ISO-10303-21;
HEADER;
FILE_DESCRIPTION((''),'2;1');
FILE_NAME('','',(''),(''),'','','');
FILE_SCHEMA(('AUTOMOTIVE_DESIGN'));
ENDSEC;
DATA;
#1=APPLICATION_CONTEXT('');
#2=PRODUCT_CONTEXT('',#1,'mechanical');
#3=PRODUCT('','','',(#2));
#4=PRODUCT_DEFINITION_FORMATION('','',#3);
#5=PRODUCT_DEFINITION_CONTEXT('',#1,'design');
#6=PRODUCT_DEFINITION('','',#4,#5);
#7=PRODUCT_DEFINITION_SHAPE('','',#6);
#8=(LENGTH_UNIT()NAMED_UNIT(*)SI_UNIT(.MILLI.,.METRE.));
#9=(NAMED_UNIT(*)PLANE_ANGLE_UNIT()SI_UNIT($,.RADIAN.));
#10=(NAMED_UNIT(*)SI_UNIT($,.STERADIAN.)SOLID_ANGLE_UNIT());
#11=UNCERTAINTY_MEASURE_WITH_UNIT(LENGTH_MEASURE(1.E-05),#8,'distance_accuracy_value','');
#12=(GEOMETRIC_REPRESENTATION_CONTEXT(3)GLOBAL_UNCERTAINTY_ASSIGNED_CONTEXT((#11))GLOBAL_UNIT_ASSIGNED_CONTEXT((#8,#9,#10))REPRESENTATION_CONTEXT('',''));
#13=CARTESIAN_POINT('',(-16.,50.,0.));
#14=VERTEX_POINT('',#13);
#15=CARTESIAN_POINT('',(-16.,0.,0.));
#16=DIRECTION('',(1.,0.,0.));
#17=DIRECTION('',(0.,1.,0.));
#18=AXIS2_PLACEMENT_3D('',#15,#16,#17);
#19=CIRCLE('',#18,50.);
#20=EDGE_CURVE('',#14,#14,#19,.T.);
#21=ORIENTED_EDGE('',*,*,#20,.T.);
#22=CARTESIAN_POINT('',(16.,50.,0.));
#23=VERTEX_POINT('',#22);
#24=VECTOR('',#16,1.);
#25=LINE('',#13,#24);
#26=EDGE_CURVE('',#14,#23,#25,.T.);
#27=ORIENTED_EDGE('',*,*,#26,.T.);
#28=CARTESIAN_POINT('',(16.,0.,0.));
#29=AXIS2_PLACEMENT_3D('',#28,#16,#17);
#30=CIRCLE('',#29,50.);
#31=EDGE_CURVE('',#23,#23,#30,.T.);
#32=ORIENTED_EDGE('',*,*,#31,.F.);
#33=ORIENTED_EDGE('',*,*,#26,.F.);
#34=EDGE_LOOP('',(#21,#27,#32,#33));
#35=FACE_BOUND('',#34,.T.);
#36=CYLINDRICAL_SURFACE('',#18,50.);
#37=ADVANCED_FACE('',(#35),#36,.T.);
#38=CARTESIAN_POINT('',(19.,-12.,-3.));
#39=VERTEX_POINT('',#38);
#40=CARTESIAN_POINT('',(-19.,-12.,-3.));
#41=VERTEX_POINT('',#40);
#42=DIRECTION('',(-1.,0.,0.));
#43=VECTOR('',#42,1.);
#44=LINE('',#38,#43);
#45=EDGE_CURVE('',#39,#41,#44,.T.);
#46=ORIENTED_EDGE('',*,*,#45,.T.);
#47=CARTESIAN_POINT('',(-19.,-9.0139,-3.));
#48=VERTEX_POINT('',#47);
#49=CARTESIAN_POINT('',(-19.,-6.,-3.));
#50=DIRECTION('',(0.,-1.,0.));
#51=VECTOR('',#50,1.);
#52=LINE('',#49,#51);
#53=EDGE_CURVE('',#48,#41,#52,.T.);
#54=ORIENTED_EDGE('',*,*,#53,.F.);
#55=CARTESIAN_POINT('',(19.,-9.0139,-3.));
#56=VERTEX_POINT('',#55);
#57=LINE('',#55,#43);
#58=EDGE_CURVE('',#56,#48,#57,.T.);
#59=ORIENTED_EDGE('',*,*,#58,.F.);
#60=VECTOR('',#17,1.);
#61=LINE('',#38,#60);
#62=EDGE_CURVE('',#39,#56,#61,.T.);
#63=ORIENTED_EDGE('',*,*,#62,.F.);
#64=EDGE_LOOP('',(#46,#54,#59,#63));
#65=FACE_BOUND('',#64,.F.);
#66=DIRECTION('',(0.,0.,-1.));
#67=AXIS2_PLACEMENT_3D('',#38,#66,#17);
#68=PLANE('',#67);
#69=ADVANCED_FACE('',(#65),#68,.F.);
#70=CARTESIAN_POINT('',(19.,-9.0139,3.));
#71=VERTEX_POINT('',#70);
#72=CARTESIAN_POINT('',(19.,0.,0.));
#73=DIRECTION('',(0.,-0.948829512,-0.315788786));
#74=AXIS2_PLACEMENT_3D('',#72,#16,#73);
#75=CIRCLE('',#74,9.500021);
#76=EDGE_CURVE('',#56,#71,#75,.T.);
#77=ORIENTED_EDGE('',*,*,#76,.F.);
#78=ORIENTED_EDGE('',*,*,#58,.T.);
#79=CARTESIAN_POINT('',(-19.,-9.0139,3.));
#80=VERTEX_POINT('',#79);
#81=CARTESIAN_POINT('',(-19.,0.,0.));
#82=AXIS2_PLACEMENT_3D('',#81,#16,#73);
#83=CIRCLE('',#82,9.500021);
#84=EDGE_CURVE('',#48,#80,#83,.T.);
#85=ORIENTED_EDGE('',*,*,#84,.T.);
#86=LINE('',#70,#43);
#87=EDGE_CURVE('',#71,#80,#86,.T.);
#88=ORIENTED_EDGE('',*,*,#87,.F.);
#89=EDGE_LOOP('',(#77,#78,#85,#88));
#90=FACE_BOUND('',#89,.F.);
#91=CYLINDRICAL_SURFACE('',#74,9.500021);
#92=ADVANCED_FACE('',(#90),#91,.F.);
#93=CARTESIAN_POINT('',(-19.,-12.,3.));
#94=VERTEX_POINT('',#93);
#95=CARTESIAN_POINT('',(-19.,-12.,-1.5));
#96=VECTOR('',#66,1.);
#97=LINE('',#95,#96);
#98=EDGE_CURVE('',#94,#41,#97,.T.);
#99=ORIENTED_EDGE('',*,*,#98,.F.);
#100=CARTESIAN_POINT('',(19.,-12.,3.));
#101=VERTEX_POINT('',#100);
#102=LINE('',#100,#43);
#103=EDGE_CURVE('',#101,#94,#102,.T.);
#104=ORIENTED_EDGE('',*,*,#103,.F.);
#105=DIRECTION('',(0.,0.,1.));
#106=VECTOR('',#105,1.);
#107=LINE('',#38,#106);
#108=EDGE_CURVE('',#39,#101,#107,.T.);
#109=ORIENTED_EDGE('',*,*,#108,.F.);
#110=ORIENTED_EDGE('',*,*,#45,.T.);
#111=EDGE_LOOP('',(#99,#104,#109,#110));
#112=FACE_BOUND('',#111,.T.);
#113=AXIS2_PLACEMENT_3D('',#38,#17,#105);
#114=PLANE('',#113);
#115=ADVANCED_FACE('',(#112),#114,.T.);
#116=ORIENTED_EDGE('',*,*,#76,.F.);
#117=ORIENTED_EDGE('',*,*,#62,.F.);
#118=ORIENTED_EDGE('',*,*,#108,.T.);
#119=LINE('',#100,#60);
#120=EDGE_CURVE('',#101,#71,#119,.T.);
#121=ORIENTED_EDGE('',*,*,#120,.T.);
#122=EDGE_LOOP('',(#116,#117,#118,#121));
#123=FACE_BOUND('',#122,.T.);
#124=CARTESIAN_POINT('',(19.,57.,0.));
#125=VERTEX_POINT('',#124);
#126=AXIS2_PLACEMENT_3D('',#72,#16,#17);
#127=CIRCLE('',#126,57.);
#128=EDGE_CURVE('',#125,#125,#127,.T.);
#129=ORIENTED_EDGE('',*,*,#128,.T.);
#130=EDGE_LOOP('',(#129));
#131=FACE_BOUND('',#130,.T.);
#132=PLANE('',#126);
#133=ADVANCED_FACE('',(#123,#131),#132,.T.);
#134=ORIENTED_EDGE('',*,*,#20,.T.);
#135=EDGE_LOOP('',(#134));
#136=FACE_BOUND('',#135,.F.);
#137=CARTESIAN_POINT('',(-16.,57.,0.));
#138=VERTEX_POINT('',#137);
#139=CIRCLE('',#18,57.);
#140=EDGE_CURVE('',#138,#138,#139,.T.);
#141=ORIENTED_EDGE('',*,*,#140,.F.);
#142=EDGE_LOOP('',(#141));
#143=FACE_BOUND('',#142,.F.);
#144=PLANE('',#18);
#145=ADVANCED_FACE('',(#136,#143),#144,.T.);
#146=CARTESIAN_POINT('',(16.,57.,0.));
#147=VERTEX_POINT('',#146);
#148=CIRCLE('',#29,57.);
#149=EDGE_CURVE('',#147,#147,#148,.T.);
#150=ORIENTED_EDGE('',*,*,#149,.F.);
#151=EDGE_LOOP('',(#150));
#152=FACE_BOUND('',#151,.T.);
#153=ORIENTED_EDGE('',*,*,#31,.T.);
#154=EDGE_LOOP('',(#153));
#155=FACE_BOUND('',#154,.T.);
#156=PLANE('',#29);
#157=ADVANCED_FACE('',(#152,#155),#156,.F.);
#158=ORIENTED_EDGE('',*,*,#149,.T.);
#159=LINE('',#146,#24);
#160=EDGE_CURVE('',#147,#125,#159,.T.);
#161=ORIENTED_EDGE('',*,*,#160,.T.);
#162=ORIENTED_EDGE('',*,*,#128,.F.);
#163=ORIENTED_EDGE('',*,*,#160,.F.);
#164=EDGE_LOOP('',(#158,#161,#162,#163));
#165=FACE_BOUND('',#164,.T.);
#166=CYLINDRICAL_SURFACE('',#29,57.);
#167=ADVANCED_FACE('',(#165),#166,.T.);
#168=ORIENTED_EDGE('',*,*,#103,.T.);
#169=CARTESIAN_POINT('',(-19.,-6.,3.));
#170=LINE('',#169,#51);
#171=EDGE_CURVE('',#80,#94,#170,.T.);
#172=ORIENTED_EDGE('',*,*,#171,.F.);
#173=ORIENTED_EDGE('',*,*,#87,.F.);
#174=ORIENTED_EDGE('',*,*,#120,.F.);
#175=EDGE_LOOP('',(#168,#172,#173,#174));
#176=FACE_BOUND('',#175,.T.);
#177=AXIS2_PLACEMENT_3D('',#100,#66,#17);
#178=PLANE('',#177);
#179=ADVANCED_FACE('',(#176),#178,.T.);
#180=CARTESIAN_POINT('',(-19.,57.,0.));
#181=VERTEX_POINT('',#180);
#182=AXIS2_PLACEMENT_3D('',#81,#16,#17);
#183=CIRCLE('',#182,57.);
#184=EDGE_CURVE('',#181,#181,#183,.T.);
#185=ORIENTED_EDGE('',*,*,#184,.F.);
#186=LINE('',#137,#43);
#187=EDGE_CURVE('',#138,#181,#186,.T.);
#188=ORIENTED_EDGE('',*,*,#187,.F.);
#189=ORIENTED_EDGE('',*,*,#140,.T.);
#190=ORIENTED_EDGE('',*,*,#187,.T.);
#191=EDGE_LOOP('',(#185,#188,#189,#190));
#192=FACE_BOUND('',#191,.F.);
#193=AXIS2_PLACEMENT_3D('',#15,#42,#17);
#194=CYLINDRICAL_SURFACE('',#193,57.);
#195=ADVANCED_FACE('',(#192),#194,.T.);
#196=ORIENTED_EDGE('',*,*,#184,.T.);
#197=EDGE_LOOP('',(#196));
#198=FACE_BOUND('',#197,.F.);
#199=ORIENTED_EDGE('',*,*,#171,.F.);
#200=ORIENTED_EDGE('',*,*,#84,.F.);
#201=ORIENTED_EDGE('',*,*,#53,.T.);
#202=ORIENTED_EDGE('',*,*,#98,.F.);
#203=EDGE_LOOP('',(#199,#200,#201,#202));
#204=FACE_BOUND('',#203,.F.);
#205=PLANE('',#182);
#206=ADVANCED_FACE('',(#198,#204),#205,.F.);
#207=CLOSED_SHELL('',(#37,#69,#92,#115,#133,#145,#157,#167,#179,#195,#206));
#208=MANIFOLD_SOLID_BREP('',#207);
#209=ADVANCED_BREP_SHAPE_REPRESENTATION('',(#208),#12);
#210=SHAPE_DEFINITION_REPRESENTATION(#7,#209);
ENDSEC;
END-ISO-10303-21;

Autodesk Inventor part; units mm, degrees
ref_plane "YZ Plane" through (0, 0, 0) normal (1, 0, 0) x (0, 1, 0)
ref_plane "XZ Plane" through (0, 0, 0) normal (0, 1, 0) x (-1, 0, 0)
ref_plane "XY Plane" through (0, 0, 0) normal (0, 0, 1) x (1, 0, 0)
sketch "Schizzo1" plane through (0, 0, 0) normal (0, 0, 1) x (1, 0, 0)
  line L0 (-16, 50) -> (16, 50)
  line L1 (-16, 50) -> (-16, 57)
  line L2 (-16, 57) -> (-19, 57)
  line L3 (-19, 57) -> (-19, 0)
  line L4 (16, 50) -> (16, 57)
  line L5 (16, 57) -> (19, 57)
  line L6 (19, 57) -> (19, 0)
  line L7 (-19, 0) -> (19, 0)
  point P0 (0, 0)
  point P1 (0, 0)
  dimension "d2" = 7
  dimension "d3" = 3
  dimension "d4" = 3
  dimension "d5" = 7
  dimension "d6" = 100
  dimension "d7" = 32
  dimension "d8" = 38
revolve "Rivoluzione1" add sketch "Schizzo1" angle 360 about axis through (-19, 0, 0) along (1, 0, 0)
sketch "Schizzo3" plane through (19, 0, 0) normal (1, 0, 0) x (0, 0, -1)
  arc A0 (3, -9.0139) -> (-3, -9.0139) centre (0, 0) ccw projected
  line L0 (3, -12) -> (-3, -12) projected
  arc A1 (3, -9.0139) -> (-3, -9.0139) centre (0, 0) ccw
  line L1 (-3, -12) -> (3, -12)
  line L2 (3, -12) -> (3, -9.0139)
  line L3 (-3, -12) -> (-3, -9.0139)
  point P0 (0, 0)
extrude "Estrusione2" cut sketch "Schizzo3" against normal up to next
properties part number "Puleggia minore" material "Alluminio 6061"
